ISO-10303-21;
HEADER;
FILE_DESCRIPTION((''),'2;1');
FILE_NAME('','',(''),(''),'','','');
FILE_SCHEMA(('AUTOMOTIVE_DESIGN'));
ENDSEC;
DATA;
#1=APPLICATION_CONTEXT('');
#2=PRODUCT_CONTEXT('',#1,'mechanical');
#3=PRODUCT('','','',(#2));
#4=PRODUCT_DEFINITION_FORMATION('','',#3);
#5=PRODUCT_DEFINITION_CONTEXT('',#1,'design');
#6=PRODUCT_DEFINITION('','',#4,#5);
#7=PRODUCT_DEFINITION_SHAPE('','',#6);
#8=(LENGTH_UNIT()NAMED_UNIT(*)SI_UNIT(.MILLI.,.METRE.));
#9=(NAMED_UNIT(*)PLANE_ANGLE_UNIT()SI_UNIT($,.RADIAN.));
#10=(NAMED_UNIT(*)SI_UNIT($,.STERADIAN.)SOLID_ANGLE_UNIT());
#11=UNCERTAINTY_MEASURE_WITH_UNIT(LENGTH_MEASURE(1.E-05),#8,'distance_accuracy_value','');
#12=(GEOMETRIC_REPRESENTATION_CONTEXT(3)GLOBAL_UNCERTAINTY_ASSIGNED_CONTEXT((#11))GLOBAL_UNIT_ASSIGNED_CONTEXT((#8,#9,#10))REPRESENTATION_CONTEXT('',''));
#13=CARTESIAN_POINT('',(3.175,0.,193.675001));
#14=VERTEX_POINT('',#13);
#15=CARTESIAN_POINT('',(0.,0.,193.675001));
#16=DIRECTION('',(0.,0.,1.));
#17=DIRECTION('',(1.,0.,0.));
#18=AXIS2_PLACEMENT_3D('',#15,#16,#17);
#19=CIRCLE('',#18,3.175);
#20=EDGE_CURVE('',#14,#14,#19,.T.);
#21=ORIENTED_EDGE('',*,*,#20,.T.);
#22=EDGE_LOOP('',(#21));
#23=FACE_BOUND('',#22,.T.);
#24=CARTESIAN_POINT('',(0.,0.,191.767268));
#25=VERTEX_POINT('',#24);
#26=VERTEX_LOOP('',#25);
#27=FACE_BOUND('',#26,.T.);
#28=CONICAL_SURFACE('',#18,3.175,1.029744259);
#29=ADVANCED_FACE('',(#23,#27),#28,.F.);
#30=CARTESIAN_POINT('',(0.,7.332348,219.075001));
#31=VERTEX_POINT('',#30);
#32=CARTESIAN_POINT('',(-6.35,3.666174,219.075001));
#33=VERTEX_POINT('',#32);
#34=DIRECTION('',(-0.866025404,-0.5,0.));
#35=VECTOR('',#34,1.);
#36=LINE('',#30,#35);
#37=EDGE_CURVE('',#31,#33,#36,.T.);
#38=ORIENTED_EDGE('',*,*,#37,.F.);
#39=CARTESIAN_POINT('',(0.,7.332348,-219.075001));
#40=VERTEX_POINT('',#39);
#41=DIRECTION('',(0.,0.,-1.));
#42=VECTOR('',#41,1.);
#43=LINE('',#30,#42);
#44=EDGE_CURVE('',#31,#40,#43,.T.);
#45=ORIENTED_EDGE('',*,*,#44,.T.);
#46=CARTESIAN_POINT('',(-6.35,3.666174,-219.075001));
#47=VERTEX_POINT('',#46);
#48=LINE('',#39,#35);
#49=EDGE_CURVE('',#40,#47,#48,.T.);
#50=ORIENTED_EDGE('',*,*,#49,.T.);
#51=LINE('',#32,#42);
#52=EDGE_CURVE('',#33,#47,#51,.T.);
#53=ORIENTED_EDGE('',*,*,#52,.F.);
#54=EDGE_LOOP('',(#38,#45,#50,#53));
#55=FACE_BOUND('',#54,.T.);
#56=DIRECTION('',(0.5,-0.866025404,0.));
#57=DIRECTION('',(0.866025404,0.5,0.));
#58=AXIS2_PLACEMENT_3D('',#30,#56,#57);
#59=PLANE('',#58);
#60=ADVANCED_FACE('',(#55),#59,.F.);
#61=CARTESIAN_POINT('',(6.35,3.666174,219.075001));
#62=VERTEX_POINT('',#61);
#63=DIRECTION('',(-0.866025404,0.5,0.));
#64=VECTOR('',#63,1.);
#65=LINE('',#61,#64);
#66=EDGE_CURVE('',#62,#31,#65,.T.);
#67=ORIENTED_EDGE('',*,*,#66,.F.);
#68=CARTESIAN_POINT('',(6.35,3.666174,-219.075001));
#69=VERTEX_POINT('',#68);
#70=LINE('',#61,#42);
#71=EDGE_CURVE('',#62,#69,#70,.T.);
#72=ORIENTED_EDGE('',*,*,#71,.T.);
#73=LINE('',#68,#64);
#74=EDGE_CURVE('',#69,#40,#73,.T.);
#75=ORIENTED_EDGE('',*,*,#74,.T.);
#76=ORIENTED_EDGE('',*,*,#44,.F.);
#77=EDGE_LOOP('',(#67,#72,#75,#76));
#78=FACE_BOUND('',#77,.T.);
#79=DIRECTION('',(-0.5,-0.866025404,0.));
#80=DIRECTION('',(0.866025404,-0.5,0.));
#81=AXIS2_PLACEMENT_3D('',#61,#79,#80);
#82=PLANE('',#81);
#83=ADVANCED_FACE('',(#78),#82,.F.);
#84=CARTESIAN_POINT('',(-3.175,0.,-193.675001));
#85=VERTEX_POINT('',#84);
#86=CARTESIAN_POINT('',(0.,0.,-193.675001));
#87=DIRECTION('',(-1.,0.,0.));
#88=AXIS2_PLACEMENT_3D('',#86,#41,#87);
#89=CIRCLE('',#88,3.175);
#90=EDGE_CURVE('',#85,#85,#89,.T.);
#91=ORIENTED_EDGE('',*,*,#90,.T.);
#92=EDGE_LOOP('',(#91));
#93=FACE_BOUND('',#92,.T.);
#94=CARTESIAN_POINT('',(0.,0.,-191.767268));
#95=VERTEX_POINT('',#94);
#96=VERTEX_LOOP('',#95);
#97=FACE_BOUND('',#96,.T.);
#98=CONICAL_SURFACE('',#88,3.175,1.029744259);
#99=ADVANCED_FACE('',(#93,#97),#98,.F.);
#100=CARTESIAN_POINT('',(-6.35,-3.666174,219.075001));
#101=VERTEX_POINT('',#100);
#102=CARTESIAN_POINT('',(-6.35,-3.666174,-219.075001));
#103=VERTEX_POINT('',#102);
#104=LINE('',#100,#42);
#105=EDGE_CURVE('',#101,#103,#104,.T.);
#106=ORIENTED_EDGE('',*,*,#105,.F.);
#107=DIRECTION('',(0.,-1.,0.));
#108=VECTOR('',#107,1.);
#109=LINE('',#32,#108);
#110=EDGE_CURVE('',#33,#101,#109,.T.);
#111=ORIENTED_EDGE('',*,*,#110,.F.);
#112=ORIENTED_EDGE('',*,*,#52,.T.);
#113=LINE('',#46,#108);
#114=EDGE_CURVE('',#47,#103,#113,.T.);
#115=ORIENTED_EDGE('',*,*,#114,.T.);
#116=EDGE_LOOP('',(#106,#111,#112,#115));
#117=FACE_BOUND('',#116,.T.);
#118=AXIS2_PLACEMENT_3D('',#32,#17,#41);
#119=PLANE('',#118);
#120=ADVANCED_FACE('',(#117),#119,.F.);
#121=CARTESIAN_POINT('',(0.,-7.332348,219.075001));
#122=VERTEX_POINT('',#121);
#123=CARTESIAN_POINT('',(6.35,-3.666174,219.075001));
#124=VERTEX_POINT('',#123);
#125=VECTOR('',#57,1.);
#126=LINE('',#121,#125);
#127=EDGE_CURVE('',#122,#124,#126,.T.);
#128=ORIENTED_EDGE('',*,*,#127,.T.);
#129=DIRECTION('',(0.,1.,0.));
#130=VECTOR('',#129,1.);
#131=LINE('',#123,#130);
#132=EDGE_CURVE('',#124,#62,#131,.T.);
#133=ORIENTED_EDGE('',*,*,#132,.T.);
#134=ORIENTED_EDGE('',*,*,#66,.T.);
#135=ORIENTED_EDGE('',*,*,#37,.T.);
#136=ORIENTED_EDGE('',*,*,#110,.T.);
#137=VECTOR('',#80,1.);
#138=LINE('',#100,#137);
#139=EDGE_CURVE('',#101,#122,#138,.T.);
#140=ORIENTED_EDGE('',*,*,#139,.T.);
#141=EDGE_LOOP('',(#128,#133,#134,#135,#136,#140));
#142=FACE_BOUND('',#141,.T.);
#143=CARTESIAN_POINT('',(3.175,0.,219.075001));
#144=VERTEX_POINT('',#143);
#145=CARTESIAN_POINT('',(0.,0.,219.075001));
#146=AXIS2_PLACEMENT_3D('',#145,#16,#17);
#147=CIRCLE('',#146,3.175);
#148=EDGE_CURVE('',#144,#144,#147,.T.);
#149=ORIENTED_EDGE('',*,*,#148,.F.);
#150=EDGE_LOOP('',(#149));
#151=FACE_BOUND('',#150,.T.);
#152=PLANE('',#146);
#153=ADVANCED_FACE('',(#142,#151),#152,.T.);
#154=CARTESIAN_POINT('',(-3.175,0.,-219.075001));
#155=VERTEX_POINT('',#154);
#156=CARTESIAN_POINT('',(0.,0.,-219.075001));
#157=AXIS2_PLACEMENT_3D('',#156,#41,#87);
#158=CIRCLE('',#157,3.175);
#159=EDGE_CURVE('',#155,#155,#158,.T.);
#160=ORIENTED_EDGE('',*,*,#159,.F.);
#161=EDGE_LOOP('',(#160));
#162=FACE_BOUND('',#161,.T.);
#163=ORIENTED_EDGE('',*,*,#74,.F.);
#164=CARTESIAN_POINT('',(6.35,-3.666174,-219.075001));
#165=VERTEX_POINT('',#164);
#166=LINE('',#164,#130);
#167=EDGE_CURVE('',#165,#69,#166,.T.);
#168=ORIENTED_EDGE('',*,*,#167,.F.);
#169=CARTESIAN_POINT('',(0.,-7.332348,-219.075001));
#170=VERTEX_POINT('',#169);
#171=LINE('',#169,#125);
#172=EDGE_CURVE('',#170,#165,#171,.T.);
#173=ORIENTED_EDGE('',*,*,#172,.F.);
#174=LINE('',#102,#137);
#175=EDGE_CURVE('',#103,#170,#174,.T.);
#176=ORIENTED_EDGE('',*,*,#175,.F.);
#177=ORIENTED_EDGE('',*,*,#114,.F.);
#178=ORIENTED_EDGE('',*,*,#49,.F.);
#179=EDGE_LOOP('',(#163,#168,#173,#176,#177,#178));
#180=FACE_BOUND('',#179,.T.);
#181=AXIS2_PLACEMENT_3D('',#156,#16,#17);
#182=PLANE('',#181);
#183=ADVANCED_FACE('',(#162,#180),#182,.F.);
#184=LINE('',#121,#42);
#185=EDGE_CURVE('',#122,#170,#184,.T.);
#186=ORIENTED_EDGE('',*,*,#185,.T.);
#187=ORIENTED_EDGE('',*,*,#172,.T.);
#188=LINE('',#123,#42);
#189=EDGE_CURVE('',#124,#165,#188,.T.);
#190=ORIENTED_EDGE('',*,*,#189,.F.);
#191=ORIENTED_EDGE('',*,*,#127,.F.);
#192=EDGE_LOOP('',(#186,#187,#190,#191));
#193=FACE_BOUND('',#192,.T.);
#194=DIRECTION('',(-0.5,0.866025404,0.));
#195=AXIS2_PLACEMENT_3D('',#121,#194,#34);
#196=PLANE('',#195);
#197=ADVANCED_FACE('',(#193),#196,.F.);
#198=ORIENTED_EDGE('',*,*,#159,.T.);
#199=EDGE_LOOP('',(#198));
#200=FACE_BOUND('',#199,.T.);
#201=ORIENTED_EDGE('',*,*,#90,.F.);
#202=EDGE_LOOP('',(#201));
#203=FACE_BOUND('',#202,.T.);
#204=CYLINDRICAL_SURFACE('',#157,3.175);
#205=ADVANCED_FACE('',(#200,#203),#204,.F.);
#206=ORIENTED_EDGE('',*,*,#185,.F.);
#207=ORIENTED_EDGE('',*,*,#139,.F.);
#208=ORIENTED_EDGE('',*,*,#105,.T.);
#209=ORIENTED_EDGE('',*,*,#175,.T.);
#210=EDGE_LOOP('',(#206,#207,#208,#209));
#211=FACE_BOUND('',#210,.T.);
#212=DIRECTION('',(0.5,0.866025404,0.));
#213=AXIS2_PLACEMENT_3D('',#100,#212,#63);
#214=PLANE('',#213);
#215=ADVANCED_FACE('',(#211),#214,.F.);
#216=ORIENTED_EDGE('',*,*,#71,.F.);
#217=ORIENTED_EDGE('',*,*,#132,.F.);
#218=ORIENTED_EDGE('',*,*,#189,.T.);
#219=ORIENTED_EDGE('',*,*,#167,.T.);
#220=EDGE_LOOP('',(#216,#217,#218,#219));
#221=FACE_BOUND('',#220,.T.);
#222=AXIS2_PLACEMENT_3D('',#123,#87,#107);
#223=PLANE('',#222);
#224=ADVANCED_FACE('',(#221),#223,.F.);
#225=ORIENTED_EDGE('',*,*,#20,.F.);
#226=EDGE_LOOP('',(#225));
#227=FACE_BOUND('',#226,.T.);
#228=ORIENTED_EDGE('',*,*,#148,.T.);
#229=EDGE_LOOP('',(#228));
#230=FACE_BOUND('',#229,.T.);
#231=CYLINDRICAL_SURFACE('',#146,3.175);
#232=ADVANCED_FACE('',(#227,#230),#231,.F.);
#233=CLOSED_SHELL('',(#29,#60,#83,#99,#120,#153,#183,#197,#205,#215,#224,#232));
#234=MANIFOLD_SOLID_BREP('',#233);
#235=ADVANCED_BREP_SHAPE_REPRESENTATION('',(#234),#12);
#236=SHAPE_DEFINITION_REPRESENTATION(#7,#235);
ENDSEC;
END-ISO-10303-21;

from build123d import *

# Parameters (mm, degrees)
BOSS_EXTRUDE2_DEPTH             = 219.075001
BOSS_EXTRUDE2_DEPTH_BACK        = 219.075001
F_1_4_0_25_DIAMETER_HOLE1_D     = 6.35
F_1_4_0_25_DIAMETER_HOLE1_DEPTH = 25.4
F_1_4_0_25_DIAMETER_HOLE1_TIP   = 1.907732465
F_1_4_0_25_DIAMETER_HOLE2_D     = 6.35
F_1_4_0_25_DIAMETER_HOLE2_DEPTH = 25.4
F_1_4_0_25_DIAMETER_HOLE2_TIP   = 1.907732465


with BuildPart() as part:
    # Sketch3 → Boss-Extrude2 (new, two sides: drawn at the far end of the back side and taken through both)
    with BuildSketch(Plane.XY.offset(-BOSS_EXTRUDE2_DEPTH_BACK)):
        Polygon((-6.35, -3.666174209), (0, -7.332348419), (6.35, -3.666174209), (6.35, 3.666174209), (0, 7.332348419), (-6.35, 3.666174209), align=None)
    extrude(amount=BOSS_EXTRUDE2_DEPTH + BOSS_EXTRUDE2_DEPTH_BACK)

    # 1/4 (0.25) Diameter Hole1
    with Locations(Plane.XY.offset(219.075000508)):
        with Locations((0, 0)):
            Hole(F_1_4_0_25_DIAMETER_HOLE1_D / 2, depth=F_1_4_0_25_DIAMETER_HOLE1_DEPTH)
            with Locations((0, 0, -(F_1_4_0_25_DIAMETER_HOLE1_DEPTH + F_1_4_0_25_DIAMETER_HOLE1_TIP / 2))):  # 118° drill point
                Cone(0, F_1_4_0_25_DIAMETER_HOLE1_D / 2, F_1_4_0_25_DIAMETER_HOLE1_TIP, mode=Mode.SUBTRACT)

    # 1/4 (0.25) Diameter Hole2
    with Locations(Plane(origin=(0, 0, -219.075000508), x_dir=(-1, 0, 0), z_dir=(0, 0, -1))):
        with Locations((0, 0)):
            Hole(F_1_4_0_25_DIAMETER_HOLE2_D / 2, depth=F_1_4_0_25_DIAMETER_HOLE2_DEPTH)
            with Locations((0, 0, -(F_1_4_0_25_DIAMETER_HOLE2_DEPTH + F_1_4_0_25_DIAMETER_HOLE2_TIP / 2))):  # 118° drill point
                Cone(0, F_1_4_0_25_DIAMETER_HOLE2_D / 2, F_1_4_0_25_DIAMETER_HOLE2_TIP, mode=Mode.SUBTRACT)


solid = part.part
